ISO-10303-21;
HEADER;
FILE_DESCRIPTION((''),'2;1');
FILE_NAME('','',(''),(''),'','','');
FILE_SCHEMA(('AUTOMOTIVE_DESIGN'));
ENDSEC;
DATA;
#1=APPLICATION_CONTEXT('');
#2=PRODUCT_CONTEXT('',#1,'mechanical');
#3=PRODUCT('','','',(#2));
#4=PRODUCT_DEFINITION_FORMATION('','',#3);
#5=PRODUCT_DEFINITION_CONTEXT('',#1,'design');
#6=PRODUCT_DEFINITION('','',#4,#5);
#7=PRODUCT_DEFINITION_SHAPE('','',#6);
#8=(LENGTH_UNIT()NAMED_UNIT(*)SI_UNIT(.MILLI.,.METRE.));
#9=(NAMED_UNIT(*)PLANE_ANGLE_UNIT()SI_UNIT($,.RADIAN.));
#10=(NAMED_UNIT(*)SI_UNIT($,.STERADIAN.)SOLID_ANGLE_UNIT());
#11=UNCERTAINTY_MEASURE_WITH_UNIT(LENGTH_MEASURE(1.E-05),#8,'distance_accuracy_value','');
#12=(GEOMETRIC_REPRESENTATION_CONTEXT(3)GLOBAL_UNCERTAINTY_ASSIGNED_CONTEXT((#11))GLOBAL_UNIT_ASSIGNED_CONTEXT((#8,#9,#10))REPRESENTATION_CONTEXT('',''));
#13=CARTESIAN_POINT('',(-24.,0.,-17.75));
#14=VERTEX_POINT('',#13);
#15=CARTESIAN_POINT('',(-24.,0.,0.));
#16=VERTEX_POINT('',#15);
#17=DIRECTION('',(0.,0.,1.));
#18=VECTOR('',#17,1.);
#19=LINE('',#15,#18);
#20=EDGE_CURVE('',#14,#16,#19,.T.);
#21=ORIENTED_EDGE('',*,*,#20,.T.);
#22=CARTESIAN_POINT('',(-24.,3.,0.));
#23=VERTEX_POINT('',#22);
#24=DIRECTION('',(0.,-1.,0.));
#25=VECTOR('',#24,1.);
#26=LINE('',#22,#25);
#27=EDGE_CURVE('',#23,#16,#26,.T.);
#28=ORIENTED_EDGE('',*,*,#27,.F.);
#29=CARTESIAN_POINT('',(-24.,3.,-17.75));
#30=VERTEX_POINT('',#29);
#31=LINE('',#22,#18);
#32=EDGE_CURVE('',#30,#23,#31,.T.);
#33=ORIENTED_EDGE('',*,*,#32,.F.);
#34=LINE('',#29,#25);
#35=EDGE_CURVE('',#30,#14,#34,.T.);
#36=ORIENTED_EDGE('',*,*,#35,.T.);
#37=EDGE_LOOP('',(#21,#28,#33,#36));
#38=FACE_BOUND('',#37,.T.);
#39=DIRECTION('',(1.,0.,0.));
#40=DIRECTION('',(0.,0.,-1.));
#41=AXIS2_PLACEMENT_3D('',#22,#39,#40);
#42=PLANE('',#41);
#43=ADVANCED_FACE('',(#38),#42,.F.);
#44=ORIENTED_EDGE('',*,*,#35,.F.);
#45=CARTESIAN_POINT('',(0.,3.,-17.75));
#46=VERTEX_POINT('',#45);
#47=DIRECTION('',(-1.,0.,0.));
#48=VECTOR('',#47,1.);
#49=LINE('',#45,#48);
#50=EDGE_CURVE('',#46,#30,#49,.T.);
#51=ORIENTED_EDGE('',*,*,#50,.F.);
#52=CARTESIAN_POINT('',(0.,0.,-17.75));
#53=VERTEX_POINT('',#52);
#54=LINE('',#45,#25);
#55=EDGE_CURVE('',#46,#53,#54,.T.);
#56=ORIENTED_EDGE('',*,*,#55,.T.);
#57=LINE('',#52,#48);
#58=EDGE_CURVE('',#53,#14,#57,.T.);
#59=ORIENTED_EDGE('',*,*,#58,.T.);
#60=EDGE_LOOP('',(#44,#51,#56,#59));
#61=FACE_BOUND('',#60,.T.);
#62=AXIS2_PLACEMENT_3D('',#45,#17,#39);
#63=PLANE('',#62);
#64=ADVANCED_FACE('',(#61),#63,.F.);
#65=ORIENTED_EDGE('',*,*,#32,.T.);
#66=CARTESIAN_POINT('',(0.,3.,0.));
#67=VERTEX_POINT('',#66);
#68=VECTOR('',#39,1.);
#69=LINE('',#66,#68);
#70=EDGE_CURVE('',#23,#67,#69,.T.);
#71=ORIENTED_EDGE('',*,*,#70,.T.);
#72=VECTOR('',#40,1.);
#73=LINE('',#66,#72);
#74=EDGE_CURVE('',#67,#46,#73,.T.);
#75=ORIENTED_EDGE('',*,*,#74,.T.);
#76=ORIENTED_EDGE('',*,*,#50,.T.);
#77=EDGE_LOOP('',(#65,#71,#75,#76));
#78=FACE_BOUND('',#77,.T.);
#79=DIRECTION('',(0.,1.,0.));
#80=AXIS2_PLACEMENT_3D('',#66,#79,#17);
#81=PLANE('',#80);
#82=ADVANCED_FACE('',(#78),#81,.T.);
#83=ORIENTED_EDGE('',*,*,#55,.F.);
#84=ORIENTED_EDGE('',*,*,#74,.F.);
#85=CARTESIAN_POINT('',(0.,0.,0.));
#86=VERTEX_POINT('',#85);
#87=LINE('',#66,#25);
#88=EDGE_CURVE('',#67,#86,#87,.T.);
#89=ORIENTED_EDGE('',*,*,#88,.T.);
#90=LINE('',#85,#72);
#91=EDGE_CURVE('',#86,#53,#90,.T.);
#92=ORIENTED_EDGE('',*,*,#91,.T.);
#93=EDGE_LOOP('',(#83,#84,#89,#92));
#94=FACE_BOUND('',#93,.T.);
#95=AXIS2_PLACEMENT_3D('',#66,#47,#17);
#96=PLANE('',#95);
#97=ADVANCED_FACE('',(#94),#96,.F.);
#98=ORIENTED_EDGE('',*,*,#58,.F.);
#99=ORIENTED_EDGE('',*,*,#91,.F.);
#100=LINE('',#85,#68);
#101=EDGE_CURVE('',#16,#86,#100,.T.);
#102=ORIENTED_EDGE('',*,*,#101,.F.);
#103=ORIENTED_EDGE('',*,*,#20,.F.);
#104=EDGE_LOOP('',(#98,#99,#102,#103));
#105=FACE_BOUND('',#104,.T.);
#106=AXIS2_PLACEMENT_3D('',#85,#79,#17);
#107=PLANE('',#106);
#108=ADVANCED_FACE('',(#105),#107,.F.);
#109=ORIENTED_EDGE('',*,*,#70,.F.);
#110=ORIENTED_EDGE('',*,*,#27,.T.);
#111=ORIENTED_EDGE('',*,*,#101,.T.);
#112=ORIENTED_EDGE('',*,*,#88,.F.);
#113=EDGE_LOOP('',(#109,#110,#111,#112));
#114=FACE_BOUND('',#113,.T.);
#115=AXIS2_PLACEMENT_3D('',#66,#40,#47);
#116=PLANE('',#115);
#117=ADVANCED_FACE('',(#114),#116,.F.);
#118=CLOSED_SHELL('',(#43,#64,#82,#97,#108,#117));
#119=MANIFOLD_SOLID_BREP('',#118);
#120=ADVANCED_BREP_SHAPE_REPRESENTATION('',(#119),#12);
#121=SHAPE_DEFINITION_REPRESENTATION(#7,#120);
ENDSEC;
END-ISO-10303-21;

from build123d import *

# Parameters (mm, degrees)
ESQUISSE1_W        = 24
ESQUISSE1_H        = 17.75
BOSS_EXTRU_1_DEPTH = 3


with BuildPart() as part:
    # Esquisse1 → Boss.-Extru.1 (new body)
    with BuildSketch(Plane(origin=(0, 0, 0), x_dir=(1, 0, 0), z_dir=(0, 1, 0))):
        with Locations((-12, 8.875)):
            Rectangle(ESQUISSE1_W, ESQUISSE1_H)
    extrude(amount=BOSS_EXTRU_1_DEPTH)


solid = part.part
